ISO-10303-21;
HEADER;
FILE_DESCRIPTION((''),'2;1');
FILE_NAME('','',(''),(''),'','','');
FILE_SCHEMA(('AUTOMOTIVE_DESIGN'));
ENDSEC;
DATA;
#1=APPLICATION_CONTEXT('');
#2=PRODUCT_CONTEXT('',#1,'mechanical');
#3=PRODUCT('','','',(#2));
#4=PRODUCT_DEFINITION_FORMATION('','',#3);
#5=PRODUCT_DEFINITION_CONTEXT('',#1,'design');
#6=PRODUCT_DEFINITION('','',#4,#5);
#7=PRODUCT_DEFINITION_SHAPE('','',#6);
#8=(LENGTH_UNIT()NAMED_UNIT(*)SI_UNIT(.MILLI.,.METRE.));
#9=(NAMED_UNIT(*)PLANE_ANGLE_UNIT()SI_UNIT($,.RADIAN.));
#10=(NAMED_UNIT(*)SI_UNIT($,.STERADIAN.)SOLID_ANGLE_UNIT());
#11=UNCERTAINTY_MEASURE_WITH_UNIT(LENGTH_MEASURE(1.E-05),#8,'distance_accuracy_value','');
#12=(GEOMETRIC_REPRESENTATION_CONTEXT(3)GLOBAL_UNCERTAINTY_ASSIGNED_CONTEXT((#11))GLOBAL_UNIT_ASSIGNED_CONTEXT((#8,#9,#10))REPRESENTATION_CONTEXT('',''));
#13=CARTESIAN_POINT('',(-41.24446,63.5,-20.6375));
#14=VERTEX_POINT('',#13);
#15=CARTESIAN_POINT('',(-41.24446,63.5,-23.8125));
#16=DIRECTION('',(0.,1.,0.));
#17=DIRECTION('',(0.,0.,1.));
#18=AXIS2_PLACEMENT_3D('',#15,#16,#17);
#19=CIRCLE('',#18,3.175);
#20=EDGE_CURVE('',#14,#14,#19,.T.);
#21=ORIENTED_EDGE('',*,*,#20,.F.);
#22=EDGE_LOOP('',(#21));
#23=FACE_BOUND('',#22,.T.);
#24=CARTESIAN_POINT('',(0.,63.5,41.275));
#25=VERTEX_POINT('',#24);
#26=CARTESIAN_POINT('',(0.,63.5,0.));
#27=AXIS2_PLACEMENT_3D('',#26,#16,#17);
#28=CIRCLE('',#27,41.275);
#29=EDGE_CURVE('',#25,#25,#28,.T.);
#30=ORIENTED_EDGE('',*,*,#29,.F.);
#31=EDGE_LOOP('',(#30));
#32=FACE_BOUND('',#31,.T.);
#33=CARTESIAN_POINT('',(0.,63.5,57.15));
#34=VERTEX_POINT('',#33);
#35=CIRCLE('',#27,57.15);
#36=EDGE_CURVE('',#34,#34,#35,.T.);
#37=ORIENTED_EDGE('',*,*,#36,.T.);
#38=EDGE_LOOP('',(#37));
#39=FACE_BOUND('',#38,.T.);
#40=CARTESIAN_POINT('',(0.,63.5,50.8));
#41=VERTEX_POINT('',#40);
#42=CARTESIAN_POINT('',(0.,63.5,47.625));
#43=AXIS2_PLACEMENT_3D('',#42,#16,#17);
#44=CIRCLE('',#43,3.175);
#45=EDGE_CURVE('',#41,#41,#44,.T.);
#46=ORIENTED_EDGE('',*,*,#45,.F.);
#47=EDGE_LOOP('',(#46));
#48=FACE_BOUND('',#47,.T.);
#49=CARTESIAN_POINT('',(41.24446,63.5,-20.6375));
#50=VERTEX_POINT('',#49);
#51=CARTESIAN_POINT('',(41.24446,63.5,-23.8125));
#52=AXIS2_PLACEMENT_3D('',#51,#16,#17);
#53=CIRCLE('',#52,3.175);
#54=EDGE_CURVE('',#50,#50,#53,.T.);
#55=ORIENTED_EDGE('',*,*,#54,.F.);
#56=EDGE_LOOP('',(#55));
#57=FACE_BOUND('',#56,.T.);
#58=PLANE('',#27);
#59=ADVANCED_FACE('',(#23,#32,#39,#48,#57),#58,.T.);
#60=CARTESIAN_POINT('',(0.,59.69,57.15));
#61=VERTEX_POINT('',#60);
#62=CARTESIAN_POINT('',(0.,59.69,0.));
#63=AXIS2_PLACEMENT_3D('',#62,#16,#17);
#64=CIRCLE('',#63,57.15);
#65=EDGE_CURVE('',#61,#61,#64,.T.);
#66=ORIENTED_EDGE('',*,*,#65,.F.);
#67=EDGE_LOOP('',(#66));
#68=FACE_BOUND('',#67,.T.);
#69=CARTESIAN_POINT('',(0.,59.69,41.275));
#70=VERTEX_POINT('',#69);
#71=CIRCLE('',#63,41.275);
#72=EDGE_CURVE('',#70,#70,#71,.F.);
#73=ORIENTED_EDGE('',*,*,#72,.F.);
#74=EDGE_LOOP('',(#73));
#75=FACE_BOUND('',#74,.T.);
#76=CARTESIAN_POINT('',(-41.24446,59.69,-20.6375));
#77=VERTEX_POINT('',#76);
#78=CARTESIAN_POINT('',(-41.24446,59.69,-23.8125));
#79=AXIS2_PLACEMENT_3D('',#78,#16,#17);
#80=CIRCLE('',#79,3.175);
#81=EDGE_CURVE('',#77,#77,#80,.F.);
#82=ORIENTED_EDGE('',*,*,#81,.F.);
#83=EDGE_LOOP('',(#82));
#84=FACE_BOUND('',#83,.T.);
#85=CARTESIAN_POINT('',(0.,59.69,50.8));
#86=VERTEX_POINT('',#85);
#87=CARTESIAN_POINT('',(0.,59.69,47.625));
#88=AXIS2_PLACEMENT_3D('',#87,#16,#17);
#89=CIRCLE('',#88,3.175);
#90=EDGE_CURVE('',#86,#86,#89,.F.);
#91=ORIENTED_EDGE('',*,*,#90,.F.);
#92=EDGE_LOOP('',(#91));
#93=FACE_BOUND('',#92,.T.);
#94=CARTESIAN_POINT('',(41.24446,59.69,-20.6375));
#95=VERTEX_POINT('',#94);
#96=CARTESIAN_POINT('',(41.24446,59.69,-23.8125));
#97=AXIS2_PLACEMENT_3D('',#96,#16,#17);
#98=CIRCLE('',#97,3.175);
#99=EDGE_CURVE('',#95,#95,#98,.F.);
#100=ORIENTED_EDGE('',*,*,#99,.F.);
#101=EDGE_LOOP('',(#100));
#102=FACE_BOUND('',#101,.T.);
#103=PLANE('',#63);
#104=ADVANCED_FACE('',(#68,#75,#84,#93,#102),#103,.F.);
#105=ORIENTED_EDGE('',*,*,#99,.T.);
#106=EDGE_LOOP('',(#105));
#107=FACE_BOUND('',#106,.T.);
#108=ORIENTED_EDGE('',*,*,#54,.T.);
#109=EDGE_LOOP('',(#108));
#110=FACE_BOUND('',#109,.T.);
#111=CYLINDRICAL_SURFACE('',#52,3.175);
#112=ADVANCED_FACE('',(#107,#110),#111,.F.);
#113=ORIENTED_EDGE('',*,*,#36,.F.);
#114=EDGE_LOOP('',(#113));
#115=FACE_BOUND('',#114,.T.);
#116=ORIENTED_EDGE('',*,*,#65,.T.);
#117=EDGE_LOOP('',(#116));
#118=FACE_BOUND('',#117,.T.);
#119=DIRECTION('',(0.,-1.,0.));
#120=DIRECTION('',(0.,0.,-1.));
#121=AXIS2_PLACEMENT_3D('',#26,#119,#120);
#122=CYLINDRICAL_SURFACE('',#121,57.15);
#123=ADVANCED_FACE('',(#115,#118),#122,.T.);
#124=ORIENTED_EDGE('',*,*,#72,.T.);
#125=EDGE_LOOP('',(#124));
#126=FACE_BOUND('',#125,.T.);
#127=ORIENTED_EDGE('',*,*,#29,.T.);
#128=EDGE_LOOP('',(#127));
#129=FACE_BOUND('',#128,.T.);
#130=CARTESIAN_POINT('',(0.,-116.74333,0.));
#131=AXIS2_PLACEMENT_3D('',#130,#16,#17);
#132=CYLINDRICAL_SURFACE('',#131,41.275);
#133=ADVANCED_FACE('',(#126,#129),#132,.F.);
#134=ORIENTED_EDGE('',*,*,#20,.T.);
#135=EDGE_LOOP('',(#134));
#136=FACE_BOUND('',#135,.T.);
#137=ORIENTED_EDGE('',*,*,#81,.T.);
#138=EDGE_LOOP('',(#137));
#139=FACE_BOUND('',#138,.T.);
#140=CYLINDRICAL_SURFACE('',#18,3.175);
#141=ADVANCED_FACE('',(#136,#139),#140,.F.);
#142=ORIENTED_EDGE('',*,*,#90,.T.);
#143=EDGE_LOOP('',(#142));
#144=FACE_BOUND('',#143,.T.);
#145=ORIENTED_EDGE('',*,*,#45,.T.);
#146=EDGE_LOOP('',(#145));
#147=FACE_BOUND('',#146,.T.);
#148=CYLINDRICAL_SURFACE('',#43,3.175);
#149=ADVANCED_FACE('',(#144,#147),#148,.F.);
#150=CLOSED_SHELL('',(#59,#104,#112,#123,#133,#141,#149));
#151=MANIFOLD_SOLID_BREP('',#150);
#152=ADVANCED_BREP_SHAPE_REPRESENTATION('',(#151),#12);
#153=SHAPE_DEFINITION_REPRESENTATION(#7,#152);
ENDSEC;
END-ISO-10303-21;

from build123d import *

# Parameters (mm, degrees)
SKETCH1_R                       = 57.15
BOSS_EXTRUDE1_DEPTH             = 63.5
SKETCH2_R                       = 41.275
CUT_EXTRUDE1_DEPTH              = 53.34
F_1_4_0_25_DIAMETER_HOLE4_D     = 6.35
F_1_4_0_25_DIAMETER_HOLE4_DEPTH = 25.4
F_1_4_0_25_DIAMETER_HOLE4_TIP   = 1.907732465
SKETCH7_R                       = 3.81
CUT_EXTRUDE2_DEPTH              = 103.783729257
F_4_0MM_DOWEL_HOLE1_D           = 4
SKETCH9_W                       = 7
SKETCH9_H                       = 7
CUT_EXTRUDE3_DEPTH              = 3.5
SKETCH12_W                      = 12.7
SKETCH12_H                      = 19.05
CUT_EXTRUDE4_DEPTH              = 4.7625
SKETCH13_R                      = 64.794556677
CUT_EXTRUDE5_DEPTH              = 59.69


with BuildPart() as part:
    # Sketch1 → Boss-Extrude1 (new body)
    with BuildSketch(Plane(origin=(0, 0, 0), x_dir=(1, 0, 0), z_dir=(0, 1, 0))):
        with Locations(Location((0, 0, 0), (0, 0, 270))):
            Circle(SKETCH1_R)
    extrude(amount=BOSS_EXTRUDE1_DEPTH)

    # Sketch2 → Cut-Extrude1 (cut)
    with BuildSketch(Plane(origin=(0, 63.5, 0), x_dir=(1, 0, 0), z_dir=(0, 1, 0))):
        with Locations(Location((0, 0, 0), (0, 0, 270))):
            Circle(SKETCH2_R)
    extrude(amount=-CUT_EXTRUDE1_DEPTH, mode=Mode.SUBTRACT)

    # 1/4 (0.25) Diameter Hole4
    with Locations(Plane(origin=(0, 63.5, 0), x_dir=(1, 0, 0), z_dir=(0, 1, 0))):
        with Locations((-41.244459855, 23.8125), (0, -47.625), (41.244459855, 23.8125)):
            Hole(F_1_4_0_25_DIAMETER_HOLE4_D / 2, depth=F_1_4_0_25_DIAMETER_HOLE4_DEPTH)
            with Locations((0, 0, -(F_1_4_0_25_DIAMETER_HOLE4_DEPTH + F_1_4_0_25_DIAMETER_HOLE4_TIP / 2))):  # 118° drill point
                Cone(0, F_1_4_0_25_DIAMETER_HOLE4_D / 2, F_1_4_0_25_DIAMETER_HOLE4_TIP, mode=Mode.SUBTRACT)

    # Sketch7 → Cut-Extrude2 (cut, through all)
    with BuildSketch(Plane.XY):
        with Locations((0, 15.24)):
            Circle(SKETCH7_R)
    extrude(amount=-CUT_EXTRUDE2_DEPTH, mode=Mode.SUBTRACT)

    # Ø4.0mm Dowel Hole1 (through all)
    with Locations(Plane(origin=(-5, 0, 15.938504039), x_dir=(0, 0, -1), z_dir=(0, -1, 0))):
        with Locations((0, 0), (0, 10), (49.5, 10), (49.5, 0)):
            Hole(F_4_0MM_DOWEL_HOLE1_D / 2)

    # Sketch9 → Cut-Extrude3 (cut)
    with BuildSketch(Plane.XZ):
        with Locations((-5, 15.938504039)):
            Rectangle(SKETCH9_W, SKETCH9_H)
        with Locations((5, 15.938504039)):
            Rectangle(SKETCH9_W, SKETCH9_H)
        with Locations((5, -33.561495961)):
            Rectangle(SKETCH9_W, SKETCH9_H)
        with Locations((-5, -33.561495961)):
            Rectangle(SKETCH9_W, SKETCH9_H)
    extrude(amount=-CUT_EXTRUDE3_DEPTH, mode=Mode.SUBTRACT)

    # Sketch12 → Cut-Extrude4 (cut)
    with BuildSketch(Plane(origin=(0, 50.8, 0), x_dir=(1, 0, 0), z_dir=(0, 1, 0))):
        Polygon((-54.992429237, 24.417545405), (-38.494645295, 14.892545405), (-35.319645295, 20.391806719), (-51.817429237, 29.916806719), align=None)
        Polygon((-51.817429237, 29.916806719), (-35.319645295, 20.391806719), (-32.144645295, 25.891068033), (-48.642429237, 35.416068033), align=None)
        Polygon((32.144645295, 25.891068033), (35.319645295, 20.391806719), (51.817429237, 29.916806719), (48.642429237, 35.416068033), align=None)
        Polygon((51.817429237, 29.916806719), (35.319645295, 20.391806719), (38.494645295, 14.892545405), (54.992429237, 24.417545405), align=None)
        with Locations((0, -50.308613437)):
            Rectangle(SKETCH12_W, SKETCH12_H)
    extrude(amount=CUT_EXTRUDE4_DEPTH, mode=Mode.SUBTRACT)

    # Sketch13 → Cut-Extrude5 (cut)
    with BuildSketch(Plane.XZ):
        Circle(SKETCH13_R)
    extrude(amount=-CUT_EXTRUDE5_DEPTH, mode=Mode.SUBTRACT)


solid = part.part
